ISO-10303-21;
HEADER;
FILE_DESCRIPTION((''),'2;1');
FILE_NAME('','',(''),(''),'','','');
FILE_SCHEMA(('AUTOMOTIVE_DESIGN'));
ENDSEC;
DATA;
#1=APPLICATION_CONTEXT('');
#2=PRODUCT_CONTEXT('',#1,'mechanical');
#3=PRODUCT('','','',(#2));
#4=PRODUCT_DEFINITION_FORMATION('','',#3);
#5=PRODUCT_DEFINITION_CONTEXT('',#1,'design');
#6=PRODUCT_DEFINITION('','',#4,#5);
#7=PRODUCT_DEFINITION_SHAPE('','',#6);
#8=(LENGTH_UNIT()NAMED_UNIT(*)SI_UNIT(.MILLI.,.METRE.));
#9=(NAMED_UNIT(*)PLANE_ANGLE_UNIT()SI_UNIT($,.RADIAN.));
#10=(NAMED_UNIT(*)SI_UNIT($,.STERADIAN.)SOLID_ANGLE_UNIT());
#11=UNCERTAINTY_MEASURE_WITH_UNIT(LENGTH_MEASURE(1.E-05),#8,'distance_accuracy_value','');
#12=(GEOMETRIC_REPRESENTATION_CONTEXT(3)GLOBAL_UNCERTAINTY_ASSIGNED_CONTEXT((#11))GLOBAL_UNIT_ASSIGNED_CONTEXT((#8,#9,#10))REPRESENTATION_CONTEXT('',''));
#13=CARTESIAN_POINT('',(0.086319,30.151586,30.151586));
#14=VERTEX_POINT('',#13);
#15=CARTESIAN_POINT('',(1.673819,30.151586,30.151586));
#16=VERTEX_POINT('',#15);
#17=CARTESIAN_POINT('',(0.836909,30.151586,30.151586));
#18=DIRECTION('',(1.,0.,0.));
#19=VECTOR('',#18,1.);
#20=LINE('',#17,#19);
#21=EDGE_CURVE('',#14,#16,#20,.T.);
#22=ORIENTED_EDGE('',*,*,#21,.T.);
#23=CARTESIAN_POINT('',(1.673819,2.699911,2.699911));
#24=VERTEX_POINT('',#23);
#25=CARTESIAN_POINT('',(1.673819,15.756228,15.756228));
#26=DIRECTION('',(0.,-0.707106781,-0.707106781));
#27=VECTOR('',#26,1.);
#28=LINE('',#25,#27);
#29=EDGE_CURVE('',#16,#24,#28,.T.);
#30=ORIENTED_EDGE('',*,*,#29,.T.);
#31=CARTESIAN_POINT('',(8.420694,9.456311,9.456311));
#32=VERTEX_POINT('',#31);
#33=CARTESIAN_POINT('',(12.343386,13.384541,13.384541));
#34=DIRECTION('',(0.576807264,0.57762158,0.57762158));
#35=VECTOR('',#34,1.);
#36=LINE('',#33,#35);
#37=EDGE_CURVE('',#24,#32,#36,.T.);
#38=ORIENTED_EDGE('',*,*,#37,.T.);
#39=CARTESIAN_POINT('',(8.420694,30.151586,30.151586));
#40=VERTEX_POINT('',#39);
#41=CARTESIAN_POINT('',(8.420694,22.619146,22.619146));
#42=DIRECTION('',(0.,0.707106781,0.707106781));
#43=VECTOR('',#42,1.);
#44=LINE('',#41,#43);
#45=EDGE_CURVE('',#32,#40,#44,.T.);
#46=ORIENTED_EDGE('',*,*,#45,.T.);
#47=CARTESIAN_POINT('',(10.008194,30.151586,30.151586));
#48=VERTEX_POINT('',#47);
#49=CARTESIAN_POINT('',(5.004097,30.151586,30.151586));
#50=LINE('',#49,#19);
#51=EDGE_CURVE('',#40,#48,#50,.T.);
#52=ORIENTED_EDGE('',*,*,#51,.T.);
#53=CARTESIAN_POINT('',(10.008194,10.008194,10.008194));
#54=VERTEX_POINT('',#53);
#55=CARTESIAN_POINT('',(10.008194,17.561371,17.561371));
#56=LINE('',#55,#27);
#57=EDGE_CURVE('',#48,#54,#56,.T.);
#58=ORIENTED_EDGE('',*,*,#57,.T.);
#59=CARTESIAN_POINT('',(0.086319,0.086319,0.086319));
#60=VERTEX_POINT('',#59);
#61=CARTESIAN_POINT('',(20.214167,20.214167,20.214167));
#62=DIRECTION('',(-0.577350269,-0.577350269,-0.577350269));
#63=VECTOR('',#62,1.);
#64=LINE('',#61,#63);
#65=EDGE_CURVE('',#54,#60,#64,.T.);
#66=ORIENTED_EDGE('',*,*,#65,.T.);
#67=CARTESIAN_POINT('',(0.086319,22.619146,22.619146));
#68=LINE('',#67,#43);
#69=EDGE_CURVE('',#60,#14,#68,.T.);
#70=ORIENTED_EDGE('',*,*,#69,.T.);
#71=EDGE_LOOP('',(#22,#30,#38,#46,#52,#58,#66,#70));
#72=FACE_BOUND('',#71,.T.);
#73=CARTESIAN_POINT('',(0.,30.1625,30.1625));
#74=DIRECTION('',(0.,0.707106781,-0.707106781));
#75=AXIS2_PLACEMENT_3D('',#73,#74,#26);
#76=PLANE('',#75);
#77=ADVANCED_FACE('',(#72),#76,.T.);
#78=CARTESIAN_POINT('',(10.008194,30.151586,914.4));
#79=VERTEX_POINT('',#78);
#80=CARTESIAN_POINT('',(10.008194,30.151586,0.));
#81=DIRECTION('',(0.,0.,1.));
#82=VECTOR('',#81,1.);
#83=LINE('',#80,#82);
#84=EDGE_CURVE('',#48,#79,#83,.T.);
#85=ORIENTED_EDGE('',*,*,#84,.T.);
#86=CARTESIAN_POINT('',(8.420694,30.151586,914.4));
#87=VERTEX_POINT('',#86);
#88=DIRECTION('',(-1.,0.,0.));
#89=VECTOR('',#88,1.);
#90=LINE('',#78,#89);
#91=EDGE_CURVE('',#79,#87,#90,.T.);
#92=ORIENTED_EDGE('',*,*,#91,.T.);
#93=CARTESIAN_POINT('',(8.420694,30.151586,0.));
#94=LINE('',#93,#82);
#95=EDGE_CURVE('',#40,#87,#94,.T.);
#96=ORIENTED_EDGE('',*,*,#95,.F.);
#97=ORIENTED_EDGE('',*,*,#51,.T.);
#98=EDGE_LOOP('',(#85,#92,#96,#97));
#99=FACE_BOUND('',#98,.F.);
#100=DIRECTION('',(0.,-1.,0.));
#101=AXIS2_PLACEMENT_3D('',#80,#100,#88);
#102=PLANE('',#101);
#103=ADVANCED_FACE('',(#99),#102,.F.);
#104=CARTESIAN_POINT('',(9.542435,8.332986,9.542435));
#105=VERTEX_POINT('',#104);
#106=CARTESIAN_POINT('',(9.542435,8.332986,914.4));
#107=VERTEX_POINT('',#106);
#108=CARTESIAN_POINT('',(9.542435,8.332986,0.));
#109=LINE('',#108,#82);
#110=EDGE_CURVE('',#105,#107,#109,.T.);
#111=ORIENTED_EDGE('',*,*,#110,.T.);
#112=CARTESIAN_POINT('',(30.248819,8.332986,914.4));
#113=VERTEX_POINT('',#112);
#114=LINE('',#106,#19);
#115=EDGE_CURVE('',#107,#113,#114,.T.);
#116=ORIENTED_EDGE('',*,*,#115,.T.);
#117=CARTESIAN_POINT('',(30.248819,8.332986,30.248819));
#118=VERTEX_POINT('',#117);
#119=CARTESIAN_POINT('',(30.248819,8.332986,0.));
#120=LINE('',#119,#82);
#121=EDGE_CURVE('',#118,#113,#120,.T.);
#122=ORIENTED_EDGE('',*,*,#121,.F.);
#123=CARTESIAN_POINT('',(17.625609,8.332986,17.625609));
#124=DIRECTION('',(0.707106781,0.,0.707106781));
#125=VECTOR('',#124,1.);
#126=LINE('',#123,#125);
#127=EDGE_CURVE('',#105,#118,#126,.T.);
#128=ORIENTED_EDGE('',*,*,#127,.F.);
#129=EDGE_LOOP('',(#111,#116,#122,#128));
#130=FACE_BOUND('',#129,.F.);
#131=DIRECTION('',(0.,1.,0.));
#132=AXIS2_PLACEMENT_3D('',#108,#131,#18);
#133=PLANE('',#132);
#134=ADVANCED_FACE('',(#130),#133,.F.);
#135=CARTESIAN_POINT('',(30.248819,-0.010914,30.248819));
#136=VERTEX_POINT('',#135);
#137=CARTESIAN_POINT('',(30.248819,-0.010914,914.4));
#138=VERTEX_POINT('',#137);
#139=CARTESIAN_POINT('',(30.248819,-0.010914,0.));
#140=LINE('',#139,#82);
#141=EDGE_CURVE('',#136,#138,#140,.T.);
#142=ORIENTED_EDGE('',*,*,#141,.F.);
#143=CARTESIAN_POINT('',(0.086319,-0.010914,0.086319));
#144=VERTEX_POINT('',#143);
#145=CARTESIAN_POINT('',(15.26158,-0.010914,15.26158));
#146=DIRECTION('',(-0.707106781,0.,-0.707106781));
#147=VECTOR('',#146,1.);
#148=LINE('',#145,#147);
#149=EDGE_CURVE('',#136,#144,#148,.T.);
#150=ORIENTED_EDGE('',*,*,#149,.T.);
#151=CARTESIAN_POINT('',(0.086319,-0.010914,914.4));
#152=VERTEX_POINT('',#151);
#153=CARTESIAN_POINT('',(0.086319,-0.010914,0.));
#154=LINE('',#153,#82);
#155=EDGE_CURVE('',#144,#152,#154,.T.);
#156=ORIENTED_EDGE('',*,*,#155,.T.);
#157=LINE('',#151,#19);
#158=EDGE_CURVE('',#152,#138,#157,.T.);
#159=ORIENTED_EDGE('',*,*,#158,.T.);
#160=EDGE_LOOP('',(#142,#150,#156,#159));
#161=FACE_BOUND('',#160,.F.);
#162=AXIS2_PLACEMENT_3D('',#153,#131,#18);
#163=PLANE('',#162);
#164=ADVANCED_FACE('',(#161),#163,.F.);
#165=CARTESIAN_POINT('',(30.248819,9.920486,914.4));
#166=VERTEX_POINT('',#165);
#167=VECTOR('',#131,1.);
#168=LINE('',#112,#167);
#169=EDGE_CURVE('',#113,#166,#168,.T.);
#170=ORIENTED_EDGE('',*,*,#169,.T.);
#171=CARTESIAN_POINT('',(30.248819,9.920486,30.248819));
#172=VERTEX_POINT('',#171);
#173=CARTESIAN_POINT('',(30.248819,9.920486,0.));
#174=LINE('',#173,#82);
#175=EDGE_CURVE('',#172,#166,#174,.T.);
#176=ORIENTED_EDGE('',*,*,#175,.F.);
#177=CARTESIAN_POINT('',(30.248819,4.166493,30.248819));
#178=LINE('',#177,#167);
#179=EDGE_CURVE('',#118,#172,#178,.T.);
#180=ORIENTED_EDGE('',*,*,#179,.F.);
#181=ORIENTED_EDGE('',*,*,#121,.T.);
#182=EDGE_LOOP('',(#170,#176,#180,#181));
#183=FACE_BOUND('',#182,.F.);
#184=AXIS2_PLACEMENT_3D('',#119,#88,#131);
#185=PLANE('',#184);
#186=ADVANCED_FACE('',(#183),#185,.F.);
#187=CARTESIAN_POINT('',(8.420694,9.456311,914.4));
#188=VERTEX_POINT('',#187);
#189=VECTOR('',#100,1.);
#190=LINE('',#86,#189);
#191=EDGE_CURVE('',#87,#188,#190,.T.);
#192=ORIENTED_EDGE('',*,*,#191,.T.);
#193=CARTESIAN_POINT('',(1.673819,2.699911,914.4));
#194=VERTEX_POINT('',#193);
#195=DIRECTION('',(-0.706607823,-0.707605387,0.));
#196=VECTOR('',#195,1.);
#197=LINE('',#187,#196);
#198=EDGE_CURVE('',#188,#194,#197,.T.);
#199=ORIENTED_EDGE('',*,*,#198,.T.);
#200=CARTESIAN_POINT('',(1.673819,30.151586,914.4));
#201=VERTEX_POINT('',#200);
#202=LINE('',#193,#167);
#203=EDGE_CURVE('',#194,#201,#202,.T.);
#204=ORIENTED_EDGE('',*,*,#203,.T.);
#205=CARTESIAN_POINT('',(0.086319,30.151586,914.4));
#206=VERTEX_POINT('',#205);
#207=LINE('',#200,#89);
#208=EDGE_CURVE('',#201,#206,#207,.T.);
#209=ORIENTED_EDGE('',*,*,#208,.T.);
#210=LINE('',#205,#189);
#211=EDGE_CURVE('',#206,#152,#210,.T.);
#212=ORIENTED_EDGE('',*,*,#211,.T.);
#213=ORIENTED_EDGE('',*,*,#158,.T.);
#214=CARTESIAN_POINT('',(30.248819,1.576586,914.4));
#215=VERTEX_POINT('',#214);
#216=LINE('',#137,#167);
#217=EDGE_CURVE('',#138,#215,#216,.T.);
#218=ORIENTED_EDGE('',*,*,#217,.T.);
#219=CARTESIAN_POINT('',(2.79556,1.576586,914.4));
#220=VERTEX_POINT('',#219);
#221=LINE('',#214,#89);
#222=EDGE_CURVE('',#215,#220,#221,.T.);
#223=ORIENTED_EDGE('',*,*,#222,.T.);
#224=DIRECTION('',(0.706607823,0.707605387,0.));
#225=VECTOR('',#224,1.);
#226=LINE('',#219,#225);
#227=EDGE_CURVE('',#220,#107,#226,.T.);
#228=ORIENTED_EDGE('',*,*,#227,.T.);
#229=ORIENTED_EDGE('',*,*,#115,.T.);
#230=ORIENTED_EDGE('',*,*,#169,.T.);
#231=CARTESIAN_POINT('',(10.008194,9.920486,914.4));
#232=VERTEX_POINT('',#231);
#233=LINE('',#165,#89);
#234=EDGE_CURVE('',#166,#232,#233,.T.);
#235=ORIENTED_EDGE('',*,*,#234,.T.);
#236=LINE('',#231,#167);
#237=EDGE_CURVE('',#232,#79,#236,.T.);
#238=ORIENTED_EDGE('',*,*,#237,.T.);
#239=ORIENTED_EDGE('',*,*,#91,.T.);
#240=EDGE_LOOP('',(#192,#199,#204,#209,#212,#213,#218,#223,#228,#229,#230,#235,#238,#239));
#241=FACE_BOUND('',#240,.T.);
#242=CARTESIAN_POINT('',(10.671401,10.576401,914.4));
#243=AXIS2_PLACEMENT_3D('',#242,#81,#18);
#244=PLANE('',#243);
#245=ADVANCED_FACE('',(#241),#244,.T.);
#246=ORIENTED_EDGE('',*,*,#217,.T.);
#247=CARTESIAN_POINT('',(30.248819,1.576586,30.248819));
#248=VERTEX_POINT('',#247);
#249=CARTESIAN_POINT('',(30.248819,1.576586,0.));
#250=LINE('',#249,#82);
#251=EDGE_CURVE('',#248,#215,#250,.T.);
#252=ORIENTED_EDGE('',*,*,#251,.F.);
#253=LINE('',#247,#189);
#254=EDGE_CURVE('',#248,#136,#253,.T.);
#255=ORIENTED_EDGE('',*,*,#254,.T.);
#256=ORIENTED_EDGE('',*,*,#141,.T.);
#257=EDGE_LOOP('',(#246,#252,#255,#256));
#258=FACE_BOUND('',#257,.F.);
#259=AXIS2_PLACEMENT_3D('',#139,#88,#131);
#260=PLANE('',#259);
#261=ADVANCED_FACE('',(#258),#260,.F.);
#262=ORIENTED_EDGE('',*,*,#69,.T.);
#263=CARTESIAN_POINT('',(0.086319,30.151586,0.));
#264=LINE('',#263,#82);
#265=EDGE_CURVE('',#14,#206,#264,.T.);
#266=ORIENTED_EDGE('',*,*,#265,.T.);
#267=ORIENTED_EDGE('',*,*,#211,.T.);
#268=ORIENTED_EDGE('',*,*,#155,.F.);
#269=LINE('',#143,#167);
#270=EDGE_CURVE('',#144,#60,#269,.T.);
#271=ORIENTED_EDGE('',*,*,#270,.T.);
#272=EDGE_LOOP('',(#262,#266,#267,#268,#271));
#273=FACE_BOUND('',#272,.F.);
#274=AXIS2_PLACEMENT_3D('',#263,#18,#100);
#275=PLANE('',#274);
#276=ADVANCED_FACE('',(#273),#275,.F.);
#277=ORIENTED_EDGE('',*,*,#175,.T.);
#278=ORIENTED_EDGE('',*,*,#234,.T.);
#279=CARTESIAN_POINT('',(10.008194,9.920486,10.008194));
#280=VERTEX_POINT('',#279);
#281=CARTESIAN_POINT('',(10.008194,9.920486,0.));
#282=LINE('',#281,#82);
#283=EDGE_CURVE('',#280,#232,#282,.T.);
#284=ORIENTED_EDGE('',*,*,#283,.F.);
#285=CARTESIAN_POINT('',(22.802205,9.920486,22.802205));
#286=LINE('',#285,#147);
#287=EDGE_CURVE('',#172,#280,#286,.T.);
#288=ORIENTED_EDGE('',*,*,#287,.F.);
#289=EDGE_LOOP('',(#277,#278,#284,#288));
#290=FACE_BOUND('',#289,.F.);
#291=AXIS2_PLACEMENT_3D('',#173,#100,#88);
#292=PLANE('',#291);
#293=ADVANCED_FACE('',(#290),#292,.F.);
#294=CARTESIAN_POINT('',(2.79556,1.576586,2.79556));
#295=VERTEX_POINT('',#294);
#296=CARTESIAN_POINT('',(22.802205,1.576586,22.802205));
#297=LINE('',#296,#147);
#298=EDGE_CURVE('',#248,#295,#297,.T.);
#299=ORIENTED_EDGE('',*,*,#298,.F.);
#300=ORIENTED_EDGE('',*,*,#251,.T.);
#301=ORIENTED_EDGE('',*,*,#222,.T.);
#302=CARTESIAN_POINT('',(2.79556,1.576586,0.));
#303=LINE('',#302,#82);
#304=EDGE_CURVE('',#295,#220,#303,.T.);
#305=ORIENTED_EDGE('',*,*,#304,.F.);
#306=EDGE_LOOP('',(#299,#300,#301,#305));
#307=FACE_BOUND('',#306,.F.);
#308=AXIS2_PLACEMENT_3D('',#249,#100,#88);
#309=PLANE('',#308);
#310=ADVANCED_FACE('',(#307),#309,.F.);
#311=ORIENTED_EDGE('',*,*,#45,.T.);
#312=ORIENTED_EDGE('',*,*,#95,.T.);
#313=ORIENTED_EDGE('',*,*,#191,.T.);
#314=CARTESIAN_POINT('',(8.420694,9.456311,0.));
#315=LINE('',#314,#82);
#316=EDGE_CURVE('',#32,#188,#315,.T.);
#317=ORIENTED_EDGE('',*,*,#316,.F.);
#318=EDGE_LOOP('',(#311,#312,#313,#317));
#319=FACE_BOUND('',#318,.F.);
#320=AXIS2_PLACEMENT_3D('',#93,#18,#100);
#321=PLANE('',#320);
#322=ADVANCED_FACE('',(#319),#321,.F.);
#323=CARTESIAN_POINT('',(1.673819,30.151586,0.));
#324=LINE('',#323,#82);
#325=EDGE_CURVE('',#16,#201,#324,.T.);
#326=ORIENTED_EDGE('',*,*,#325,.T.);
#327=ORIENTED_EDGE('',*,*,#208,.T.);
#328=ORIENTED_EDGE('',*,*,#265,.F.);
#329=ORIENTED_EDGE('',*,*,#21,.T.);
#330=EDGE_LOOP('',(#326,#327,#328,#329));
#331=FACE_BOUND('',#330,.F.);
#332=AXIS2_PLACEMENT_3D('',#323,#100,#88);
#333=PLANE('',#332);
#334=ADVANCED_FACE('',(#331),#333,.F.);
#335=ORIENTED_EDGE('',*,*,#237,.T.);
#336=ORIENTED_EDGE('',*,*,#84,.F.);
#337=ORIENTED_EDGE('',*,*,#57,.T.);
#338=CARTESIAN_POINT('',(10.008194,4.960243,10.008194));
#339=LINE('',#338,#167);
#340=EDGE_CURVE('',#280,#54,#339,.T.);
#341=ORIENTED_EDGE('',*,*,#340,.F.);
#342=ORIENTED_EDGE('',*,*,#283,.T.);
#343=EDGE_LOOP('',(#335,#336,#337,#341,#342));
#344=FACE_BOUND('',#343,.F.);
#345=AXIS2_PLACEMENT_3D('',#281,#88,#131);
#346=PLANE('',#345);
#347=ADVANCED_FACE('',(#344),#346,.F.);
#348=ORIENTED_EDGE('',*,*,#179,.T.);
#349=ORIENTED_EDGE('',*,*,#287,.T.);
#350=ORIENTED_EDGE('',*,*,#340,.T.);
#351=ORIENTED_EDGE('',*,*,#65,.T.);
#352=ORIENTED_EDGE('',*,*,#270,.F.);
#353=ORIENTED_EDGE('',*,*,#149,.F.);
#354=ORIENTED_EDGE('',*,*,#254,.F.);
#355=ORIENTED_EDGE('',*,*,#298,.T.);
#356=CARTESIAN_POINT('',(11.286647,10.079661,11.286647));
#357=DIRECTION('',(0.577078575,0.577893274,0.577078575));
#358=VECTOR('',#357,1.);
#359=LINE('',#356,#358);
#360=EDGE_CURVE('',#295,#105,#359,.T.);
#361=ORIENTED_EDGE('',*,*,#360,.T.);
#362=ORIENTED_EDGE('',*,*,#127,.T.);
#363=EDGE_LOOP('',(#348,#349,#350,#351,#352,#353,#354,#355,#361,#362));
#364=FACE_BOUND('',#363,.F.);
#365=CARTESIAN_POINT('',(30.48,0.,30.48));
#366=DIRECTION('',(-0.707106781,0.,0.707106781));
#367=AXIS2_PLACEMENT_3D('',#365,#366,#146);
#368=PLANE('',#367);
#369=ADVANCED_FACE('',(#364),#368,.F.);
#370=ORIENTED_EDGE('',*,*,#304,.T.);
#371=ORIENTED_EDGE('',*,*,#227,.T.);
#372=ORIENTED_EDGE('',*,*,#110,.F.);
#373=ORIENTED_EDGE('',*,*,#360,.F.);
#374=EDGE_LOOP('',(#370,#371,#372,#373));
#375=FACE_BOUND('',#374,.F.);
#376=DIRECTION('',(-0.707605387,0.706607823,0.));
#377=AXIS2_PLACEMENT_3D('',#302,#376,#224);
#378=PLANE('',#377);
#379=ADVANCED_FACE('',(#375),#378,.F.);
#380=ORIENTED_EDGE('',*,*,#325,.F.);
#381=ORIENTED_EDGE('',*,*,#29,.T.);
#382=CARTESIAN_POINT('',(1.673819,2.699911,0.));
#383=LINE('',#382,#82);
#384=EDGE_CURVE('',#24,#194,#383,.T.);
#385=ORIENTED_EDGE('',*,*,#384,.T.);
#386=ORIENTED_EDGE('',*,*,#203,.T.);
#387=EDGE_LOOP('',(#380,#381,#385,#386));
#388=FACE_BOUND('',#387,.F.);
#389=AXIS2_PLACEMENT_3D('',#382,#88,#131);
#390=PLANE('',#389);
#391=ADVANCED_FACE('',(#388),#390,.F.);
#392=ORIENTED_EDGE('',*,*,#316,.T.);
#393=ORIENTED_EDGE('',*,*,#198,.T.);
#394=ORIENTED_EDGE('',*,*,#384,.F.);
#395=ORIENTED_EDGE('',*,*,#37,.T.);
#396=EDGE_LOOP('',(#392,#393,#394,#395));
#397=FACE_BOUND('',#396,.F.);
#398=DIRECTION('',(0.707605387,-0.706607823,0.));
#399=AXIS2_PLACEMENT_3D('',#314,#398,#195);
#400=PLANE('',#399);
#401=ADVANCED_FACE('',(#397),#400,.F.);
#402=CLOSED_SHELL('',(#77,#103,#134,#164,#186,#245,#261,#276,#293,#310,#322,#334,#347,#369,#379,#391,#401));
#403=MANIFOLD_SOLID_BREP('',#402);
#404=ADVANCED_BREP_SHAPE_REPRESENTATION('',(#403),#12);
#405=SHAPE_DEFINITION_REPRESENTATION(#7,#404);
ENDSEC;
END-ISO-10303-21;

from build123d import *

# Parameters (mm, degrees)
F1_DEPTH      = 914.4
F4_DEPTH      = 50.8
F4_DEPTH_BACK = 25.4
F5_DEPTH      = 50.8


with BuildPart() as f1:
    # F0 (on Top) → F1 (new body)
    with BuildSketch(Plane.XY):
        Polygon((10.0081935422, 9.9204859395), (10.0081935422, 30.1515859395), (8.4206935422, 30.1515859395), (8.4206935422, 9.4563106097), (1.6738185422, 2.6999106097), (1.6738185422, 30.1515859395), (0.0863185422, 30.1515859395), (0.0863185422, -0.0109140605), (30.2488185422, -0.0109140605), (30.2488185422, 1.5765859395), (2.7955595779, 1.5765859395), (9.5424345779, 8.3329859395), (30.2488185422, 8.3329859395), (30.2488185422, 9.9204859395), align=None)
    extrude(amount=F1_DEPTH)

    # F2 (on Front) → F4 (cut, two sides)
    with BuildSketch(Plane.XZ) as f4_sk:
        Polygon((30.48, 30.48), (0, 0), (30.48, 0), align=None)
    extrude(amount=-F4_DEPTH, mode=Mode.SUBTRACT)
    extrude(f4_sk.sketch, amount=F4_DEPTH_BACK, mode=Mode.SUBTRACT)

    # F3 (on Right) → F5 (cut)
    with BuildSketch(Plane.YZ):
        Polygon((30.1625, 30.1625), (0, 0), (30.1625, 0), align=None)
    extrude(amount=F5_DEPTH, mode=Mode.SUBTRACT)


solid = f1.part
